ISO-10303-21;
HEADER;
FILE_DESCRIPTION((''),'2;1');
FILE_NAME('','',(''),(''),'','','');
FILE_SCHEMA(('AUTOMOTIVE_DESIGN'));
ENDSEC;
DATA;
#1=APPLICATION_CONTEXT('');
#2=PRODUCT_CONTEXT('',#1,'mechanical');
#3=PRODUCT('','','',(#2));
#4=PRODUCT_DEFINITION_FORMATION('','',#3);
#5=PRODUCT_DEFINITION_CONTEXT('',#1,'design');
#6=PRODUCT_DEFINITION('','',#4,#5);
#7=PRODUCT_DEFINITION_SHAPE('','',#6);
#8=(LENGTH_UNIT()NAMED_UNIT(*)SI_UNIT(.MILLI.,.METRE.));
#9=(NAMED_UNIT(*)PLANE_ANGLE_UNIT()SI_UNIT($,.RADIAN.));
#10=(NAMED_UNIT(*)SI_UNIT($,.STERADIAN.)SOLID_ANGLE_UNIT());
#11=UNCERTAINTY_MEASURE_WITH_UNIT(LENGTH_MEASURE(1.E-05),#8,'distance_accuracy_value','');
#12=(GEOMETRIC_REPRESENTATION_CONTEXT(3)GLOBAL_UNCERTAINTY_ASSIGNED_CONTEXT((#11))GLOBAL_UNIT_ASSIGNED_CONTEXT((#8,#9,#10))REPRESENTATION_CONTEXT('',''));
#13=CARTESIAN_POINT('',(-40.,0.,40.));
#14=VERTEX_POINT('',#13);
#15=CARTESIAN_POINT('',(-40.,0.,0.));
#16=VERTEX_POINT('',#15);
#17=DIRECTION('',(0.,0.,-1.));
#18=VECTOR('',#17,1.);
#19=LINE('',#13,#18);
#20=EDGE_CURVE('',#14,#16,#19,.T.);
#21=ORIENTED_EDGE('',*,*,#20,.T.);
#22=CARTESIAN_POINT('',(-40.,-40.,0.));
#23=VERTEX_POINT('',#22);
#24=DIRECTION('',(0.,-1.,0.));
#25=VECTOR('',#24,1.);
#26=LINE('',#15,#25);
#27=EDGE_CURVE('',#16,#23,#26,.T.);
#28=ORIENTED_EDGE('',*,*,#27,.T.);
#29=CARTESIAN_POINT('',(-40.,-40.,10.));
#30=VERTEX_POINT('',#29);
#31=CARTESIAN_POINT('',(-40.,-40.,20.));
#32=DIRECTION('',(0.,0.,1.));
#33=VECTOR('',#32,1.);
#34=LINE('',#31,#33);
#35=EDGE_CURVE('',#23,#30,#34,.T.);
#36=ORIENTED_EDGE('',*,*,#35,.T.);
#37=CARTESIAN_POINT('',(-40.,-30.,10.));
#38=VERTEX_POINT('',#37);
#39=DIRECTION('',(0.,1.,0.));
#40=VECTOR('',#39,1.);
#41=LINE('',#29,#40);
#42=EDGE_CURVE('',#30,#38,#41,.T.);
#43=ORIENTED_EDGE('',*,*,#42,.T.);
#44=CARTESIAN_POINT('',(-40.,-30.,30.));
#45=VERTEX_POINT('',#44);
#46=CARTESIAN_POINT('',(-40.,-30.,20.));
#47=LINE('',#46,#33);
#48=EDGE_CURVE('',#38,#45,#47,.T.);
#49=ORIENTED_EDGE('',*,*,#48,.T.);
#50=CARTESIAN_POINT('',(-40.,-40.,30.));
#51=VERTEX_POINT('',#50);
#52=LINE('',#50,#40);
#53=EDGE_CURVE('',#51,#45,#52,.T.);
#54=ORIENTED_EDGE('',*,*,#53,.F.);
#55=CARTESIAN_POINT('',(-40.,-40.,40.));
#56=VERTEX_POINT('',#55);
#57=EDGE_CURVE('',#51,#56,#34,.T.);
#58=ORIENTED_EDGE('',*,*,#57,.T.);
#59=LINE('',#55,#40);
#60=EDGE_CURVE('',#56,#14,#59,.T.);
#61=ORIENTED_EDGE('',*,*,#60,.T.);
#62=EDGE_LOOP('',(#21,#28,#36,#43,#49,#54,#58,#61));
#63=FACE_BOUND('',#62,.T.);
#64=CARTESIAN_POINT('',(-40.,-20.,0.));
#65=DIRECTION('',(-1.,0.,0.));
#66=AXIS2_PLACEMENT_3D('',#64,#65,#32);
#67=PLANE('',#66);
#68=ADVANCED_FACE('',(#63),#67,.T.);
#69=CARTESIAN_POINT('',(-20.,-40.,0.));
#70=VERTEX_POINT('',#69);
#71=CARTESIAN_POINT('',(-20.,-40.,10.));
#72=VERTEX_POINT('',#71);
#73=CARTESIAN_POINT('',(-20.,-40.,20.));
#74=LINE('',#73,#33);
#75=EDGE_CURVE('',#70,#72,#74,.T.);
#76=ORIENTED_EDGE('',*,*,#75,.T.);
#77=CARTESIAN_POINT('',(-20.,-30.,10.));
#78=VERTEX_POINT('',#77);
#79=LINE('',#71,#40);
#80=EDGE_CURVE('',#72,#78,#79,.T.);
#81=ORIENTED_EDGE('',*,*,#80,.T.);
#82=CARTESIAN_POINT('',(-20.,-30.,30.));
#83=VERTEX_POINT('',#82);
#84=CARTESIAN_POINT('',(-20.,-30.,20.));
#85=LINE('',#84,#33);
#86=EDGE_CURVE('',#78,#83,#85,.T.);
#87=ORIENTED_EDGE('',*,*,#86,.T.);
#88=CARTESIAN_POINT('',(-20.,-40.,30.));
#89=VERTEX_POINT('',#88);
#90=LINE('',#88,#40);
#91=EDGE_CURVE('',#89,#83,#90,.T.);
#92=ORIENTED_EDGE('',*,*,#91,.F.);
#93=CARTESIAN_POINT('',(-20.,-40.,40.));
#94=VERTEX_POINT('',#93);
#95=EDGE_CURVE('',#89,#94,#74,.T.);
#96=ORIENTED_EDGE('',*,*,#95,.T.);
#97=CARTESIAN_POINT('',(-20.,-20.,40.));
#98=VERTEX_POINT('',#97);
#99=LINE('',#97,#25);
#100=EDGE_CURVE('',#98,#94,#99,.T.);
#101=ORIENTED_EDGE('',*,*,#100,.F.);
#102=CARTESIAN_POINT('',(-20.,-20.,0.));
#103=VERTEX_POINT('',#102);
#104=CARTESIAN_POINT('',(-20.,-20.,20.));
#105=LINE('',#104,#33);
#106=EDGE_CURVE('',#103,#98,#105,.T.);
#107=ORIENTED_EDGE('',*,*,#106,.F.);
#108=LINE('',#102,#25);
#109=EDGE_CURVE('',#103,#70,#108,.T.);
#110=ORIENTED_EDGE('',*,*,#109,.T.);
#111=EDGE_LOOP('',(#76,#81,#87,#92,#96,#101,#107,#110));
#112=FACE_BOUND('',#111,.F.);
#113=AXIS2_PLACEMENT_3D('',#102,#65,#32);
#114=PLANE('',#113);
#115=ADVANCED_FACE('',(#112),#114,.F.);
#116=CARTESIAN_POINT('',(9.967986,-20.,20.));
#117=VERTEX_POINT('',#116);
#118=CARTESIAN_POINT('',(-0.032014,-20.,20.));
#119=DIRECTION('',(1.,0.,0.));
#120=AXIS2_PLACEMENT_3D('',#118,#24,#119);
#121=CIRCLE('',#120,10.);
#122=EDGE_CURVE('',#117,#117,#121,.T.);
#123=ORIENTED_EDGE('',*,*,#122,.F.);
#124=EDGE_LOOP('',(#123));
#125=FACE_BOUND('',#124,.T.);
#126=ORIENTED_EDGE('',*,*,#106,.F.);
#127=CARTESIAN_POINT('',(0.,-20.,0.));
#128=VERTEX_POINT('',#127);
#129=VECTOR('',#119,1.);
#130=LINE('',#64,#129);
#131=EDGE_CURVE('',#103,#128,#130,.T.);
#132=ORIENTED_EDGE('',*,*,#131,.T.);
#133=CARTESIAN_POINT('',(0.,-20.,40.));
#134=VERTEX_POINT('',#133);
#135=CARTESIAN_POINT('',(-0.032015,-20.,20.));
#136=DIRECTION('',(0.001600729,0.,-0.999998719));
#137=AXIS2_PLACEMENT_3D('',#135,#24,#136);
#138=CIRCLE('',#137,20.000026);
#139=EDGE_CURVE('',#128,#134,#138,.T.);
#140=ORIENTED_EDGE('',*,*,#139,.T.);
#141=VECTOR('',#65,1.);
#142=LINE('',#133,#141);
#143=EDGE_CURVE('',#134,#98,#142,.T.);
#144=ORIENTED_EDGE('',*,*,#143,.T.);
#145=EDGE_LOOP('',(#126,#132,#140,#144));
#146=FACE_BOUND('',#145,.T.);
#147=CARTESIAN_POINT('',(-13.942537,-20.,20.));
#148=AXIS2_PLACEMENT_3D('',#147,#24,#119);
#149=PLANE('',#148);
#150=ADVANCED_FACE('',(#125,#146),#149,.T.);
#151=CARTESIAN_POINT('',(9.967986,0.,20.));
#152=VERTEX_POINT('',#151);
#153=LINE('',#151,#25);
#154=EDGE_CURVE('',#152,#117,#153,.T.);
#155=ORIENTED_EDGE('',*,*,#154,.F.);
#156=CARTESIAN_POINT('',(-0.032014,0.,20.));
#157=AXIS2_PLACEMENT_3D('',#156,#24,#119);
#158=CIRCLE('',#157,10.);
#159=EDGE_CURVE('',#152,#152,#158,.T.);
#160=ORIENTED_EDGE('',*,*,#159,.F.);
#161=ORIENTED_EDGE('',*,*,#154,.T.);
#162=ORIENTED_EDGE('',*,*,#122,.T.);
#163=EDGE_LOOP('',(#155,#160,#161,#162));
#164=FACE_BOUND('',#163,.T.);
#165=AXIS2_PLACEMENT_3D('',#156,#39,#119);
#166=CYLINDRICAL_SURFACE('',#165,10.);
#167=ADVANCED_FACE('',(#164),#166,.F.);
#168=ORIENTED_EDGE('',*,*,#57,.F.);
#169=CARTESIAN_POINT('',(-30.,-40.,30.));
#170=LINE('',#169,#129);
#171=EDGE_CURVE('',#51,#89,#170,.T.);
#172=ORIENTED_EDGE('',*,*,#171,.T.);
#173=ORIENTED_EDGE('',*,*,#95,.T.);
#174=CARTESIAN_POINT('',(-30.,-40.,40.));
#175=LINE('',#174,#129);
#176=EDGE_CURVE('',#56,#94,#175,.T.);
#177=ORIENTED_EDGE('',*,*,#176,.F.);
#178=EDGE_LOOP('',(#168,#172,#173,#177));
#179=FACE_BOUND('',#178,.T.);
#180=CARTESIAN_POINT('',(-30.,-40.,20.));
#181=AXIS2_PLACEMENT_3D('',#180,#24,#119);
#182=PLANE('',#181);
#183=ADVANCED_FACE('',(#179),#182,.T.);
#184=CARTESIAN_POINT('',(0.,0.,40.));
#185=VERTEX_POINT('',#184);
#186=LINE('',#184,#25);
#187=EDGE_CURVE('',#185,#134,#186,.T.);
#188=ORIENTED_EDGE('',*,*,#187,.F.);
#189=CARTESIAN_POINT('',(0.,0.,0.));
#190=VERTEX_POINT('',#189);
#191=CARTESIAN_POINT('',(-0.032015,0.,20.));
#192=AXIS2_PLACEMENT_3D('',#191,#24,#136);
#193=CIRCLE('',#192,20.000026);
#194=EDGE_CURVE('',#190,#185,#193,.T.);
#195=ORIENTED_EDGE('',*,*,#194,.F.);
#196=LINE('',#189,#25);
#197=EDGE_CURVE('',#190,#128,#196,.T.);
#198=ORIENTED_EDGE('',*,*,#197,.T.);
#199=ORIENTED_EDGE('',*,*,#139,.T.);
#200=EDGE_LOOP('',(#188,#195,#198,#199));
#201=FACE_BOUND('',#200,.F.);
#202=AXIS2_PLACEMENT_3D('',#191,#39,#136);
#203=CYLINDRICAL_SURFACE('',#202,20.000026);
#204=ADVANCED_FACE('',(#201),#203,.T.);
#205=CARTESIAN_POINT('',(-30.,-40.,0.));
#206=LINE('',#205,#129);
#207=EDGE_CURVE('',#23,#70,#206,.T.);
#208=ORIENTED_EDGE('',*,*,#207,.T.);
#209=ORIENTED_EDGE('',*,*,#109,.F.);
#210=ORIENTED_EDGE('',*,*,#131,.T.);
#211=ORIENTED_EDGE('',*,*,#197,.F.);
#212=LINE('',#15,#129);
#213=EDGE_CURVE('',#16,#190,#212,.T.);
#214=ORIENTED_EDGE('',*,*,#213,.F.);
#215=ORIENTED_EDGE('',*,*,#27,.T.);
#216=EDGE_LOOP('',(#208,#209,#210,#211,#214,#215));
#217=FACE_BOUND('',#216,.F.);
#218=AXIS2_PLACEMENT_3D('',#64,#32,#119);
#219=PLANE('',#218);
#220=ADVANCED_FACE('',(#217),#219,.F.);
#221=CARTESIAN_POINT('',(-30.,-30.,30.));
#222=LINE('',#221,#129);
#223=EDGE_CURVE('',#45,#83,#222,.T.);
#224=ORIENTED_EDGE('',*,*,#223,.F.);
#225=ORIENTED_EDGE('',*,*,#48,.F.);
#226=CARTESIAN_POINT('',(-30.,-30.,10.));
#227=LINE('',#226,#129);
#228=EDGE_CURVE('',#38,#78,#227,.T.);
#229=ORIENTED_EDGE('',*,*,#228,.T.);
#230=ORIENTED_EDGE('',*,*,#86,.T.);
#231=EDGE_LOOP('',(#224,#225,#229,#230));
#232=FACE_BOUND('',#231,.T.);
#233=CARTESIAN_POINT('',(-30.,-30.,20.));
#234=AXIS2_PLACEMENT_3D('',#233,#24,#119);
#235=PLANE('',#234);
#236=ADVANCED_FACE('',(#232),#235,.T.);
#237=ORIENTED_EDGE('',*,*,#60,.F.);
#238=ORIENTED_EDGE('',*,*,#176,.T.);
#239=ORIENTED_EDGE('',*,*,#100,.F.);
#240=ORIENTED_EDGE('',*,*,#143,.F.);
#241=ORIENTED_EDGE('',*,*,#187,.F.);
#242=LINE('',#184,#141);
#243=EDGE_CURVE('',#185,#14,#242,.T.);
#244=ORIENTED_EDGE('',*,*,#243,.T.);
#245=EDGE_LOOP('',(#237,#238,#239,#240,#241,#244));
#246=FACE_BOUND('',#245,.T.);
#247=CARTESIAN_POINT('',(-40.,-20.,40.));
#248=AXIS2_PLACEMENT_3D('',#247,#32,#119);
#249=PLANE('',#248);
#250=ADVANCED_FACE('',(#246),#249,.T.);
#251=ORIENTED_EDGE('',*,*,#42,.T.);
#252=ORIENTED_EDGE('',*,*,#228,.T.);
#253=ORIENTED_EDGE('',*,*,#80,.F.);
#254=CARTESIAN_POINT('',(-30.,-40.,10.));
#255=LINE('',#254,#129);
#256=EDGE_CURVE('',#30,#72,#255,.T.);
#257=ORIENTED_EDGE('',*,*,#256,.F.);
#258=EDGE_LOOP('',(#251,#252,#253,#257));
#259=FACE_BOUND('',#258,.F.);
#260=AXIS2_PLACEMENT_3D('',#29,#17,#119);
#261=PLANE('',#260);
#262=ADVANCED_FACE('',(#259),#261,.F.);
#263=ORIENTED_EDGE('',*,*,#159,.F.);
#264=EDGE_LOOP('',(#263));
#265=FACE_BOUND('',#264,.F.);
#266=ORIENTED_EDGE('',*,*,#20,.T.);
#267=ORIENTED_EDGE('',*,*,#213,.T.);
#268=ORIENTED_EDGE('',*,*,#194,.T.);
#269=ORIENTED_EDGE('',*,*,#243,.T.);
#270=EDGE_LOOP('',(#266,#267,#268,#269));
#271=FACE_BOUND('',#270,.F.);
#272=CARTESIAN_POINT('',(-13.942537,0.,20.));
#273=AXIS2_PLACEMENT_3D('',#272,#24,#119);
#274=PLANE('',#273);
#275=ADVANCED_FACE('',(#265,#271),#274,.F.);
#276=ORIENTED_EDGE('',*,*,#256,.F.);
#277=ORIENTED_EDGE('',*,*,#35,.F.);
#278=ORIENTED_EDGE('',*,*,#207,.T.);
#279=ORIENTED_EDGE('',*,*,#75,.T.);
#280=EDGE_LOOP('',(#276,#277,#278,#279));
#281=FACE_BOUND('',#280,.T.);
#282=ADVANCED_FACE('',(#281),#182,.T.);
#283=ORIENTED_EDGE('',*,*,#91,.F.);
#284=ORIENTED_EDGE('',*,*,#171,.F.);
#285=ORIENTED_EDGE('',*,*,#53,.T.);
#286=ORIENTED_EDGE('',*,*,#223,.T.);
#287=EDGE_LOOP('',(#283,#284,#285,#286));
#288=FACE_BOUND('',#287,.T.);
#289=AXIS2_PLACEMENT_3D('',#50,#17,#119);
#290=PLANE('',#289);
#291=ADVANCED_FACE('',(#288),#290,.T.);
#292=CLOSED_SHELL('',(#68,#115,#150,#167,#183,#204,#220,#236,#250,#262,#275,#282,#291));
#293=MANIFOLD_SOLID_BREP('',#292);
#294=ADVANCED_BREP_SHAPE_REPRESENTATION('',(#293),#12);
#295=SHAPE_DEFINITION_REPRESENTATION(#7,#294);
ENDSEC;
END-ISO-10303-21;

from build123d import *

# Parameters (mm, degrees)
F0_R     = 10
F1_DEPTH = 20
F2_W     = 20
F2_H     = 40
F3_DEPTH = 20
F4_W     = 20
F4_H     = 20
F5_DEPTH = 10


with BuildPart() as f1:
    # F0 (on Front) → F1 (new body)
    with BuildSketch(Plane.XZ):
        with BuildLine():
            Line((-40, 40), (-40, 0))
            Line((-40, 0), (0, 0))
            ThreePointArc((0, 0), (19.968011, 20), (0, 40))
            Line((0, 40), (-40, 40))
        make_face()
        with Locations((-0.032014, 20)):
            Circle(F0_R, mode=Mode.SUBTRACT)
    extrude(amount=F1_DEPTH)

    # F2 (on face) → F3 (join)
    with BuildSketch(Plane.XZ.offset(20)):
        with Locations((-30, 20)):
            Rectangle(F2_W, F2_H)
    extrude(amount=F3_DEPTH)

    # F4 (on face) → F5 (cut)
    with BuildSketch(Plane.XZ.offset(40)):
        with Locations((-30, 20)):
            Rectangle(F4_W, F4_H)
    extrude(amount=-F5_DEPTH, mode=Mode.SUBTRACT)


solid = f1.part
